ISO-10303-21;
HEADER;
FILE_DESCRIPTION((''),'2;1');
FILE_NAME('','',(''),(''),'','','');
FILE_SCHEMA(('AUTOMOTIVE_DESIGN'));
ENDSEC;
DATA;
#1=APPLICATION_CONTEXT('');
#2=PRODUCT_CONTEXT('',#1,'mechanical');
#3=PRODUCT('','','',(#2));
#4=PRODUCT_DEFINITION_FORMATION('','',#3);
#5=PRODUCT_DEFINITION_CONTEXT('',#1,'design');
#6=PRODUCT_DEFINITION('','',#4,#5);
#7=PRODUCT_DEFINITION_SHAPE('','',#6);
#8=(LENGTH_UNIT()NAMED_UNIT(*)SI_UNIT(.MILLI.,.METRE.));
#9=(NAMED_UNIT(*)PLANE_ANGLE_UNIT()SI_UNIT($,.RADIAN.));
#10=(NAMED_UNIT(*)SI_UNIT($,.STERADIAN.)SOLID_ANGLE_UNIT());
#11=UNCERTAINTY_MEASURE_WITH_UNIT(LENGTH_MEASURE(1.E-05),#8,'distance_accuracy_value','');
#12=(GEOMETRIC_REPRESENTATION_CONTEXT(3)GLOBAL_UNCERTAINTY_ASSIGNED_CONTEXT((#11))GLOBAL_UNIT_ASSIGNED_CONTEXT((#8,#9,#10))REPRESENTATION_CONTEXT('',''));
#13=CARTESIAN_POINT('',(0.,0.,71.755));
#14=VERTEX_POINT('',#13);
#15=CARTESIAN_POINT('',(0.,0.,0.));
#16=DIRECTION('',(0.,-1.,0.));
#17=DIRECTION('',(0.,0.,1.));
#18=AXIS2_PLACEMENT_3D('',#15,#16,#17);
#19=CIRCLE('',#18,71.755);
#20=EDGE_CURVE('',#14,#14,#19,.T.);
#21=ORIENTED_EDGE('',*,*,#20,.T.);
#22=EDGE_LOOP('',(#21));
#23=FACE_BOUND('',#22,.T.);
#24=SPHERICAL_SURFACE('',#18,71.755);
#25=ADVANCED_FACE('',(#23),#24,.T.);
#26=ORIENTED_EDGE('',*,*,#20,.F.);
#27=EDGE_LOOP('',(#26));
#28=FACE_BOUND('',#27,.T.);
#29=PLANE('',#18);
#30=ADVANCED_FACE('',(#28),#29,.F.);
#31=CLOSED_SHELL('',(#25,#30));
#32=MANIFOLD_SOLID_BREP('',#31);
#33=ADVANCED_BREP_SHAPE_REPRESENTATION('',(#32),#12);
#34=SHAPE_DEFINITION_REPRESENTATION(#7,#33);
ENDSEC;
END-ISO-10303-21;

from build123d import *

# Parameters (mm, degrees)
REVOLVE1_ANGLE = 180


with BuildPart() as part:
    # Sketch2 → Revolve1 (revolve)
    with BuildSketch(Plane(origin=(0, 0, 0), x_dir=(1, 0, 0), z_dir=(0, 1, 0))):
        with BuildLine():
            Line((0, 71.755), (0, -71.755))
            ThreePointArc((0, -71.755), (-71.755, 0), (0, 71.755))
        make_face()
    revolve(axis=Axis((0, 0, -71.755), (0, 0, 1)), revolution_arc=REVOLVE1_ANGLE)


solid = part.part
